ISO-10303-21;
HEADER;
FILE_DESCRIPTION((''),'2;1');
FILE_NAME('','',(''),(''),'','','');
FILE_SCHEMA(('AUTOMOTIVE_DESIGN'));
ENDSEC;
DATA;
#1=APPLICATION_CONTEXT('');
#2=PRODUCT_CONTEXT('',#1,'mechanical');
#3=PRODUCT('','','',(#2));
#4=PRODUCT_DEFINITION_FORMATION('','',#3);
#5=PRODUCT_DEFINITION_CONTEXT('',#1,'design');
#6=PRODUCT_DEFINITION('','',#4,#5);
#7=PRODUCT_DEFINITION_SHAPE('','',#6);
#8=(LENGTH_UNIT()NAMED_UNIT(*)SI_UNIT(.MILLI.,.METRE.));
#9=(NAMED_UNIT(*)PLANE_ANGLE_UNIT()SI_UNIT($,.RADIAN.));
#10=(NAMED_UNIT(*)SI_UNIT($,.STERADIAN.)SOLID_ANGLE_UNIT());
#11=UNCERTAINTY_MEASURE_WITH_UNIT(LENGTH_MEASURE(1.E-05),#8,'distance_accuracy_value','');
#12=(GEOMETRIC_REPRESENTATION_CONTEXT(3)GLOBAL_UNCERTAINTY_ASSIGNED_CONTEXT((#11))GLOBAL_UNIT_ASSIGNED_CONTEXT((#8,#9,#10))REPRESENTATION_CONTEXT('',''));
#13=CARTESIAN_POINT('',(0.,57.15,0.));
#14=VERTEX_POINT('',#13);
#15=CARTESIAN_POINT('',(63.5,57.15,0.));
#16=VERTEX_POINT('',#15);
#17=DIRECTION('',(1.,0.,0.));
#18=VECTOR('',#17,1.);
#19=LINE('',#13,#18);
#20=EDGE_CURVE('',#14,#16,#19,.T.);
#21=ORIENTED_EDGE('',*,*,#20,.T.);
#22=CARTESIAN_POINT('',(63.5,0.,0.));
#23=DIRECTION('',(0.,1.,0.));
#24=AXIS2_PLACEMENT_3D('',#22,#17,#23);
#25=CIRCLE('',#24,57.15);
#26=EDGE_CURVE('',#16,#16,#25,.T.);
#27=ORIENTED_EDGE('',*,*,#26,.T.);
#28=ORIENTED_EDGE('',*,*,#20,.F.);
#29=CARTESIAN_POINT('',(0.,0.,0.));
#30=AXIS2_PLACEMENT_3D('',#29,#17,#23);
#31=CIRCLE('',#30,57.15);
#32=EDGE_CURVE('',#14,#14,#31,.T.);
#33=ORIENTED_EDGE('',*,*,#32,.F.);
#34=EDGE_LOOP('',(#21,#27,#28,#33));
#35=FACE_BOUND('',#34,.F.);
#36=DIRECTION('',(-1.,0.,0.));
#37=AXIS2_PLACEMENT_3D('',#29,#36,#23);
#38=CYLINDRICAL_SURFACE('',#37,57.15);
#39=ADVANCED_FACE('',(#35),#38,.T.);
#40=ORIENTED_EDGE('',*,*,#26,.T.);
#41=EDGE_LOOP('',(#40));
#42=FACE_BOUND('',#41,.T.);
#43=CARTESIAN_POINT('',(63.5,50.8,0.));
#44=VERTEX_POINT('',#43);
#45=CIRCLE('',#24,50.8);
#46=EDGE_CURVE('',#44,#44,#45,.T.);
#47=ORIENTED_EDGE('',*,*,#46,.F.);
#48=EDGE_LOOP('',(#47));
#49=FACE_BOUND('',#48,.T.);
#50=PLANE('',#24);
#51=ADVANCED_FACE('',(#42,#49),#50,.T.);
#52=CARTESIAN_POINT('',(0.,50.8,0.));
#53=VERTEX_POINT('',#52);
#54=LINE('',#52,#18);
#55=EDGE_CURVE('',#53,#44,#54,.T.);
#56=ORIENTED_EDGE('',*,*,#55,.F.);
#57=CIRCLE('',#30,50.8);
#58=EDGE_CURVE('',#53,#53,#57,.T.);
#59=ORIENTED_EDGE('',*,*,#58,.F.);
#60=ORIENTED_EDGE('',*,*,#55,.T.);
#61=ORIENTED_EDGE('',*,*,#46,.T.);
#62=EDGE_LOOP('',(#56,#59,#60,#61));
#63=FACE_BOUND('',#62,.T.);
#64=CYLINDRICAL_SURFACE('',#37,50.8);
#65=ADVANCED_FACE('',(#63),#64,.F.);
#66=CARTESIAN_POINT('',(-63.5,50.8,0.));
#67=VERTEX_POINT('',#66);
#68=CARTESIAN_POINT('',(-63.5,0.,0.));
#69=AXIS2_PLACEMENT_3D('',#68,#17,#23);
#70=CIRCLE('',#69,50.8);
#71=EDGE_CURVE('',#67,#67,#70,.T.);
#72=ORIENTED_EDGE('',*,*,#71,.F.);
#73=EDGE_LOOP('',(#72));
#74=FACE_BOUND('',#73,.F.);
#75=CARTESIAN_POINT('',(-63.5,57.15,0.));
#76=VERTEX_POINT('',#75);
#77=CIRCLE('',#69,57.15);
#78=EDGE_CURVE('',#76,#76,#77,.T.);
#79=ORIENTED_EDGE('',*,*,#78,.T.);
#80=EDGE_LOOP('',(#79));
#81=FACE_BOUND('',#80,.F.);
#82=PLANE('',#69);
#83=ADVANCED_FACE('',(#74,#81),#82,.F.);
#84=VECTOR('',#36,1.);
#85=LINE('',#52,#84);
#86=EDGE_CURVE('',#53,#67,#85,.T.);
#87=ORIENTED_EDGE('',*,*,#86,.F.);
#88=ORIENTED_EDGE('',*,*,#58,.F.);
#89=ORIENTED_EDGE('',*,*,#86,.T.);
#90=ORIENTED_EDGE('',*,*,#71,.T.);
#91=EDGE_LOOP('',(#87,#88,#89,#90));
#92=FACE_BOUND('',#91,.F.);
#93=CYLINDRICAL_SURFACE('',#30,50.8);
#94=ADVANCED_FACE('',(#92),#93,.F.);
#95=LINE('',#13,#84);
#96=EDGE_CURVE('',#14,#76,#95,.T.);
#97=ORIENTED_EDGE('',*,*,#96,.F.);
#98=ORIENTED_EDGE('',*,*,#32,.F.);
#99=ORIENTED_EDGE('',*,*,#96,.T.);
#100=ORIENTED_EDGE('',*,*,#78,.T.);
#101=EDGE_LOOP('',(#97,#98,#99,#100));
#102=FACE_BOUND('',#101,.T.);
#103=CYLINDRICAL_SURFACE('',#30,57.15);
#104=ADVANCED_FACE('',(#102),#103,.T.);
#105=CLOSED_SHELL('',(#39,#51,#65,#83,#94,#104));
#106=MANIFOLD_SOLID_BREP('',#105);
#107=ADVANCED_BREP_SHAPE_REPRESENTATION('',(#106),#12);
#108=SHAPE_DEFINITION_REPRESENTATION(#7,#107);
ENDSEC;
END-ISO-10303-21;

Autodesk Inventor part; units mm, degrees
ref_plane "YZ Plane" through (0, 0, 0) normal (1, 0, 0) x (0, 1, 0)
ref_plane "XZ Plane" through (0, 0, 0) normal (0, 1, 0) x (-1, 0, 0)
ref_plane "XY Plane" through (0, 0, 0) normal (0, 0, 1) x (1, 0, 0)
sketch "Sketch1" plane through (0, 0, 0) normal (1, 0, 0) x (0, 1, 0)
  circle A0 centre (0, 0) radius 50.8
  circle A1 centre (0, 0) radius 57.15
  dimension "d0" = 101.6
  dimension "d1" = 114.3
extrude "Extrusion1" add sketch "Sketch1" along normal mid plane 127
properties part number "cylinder"
